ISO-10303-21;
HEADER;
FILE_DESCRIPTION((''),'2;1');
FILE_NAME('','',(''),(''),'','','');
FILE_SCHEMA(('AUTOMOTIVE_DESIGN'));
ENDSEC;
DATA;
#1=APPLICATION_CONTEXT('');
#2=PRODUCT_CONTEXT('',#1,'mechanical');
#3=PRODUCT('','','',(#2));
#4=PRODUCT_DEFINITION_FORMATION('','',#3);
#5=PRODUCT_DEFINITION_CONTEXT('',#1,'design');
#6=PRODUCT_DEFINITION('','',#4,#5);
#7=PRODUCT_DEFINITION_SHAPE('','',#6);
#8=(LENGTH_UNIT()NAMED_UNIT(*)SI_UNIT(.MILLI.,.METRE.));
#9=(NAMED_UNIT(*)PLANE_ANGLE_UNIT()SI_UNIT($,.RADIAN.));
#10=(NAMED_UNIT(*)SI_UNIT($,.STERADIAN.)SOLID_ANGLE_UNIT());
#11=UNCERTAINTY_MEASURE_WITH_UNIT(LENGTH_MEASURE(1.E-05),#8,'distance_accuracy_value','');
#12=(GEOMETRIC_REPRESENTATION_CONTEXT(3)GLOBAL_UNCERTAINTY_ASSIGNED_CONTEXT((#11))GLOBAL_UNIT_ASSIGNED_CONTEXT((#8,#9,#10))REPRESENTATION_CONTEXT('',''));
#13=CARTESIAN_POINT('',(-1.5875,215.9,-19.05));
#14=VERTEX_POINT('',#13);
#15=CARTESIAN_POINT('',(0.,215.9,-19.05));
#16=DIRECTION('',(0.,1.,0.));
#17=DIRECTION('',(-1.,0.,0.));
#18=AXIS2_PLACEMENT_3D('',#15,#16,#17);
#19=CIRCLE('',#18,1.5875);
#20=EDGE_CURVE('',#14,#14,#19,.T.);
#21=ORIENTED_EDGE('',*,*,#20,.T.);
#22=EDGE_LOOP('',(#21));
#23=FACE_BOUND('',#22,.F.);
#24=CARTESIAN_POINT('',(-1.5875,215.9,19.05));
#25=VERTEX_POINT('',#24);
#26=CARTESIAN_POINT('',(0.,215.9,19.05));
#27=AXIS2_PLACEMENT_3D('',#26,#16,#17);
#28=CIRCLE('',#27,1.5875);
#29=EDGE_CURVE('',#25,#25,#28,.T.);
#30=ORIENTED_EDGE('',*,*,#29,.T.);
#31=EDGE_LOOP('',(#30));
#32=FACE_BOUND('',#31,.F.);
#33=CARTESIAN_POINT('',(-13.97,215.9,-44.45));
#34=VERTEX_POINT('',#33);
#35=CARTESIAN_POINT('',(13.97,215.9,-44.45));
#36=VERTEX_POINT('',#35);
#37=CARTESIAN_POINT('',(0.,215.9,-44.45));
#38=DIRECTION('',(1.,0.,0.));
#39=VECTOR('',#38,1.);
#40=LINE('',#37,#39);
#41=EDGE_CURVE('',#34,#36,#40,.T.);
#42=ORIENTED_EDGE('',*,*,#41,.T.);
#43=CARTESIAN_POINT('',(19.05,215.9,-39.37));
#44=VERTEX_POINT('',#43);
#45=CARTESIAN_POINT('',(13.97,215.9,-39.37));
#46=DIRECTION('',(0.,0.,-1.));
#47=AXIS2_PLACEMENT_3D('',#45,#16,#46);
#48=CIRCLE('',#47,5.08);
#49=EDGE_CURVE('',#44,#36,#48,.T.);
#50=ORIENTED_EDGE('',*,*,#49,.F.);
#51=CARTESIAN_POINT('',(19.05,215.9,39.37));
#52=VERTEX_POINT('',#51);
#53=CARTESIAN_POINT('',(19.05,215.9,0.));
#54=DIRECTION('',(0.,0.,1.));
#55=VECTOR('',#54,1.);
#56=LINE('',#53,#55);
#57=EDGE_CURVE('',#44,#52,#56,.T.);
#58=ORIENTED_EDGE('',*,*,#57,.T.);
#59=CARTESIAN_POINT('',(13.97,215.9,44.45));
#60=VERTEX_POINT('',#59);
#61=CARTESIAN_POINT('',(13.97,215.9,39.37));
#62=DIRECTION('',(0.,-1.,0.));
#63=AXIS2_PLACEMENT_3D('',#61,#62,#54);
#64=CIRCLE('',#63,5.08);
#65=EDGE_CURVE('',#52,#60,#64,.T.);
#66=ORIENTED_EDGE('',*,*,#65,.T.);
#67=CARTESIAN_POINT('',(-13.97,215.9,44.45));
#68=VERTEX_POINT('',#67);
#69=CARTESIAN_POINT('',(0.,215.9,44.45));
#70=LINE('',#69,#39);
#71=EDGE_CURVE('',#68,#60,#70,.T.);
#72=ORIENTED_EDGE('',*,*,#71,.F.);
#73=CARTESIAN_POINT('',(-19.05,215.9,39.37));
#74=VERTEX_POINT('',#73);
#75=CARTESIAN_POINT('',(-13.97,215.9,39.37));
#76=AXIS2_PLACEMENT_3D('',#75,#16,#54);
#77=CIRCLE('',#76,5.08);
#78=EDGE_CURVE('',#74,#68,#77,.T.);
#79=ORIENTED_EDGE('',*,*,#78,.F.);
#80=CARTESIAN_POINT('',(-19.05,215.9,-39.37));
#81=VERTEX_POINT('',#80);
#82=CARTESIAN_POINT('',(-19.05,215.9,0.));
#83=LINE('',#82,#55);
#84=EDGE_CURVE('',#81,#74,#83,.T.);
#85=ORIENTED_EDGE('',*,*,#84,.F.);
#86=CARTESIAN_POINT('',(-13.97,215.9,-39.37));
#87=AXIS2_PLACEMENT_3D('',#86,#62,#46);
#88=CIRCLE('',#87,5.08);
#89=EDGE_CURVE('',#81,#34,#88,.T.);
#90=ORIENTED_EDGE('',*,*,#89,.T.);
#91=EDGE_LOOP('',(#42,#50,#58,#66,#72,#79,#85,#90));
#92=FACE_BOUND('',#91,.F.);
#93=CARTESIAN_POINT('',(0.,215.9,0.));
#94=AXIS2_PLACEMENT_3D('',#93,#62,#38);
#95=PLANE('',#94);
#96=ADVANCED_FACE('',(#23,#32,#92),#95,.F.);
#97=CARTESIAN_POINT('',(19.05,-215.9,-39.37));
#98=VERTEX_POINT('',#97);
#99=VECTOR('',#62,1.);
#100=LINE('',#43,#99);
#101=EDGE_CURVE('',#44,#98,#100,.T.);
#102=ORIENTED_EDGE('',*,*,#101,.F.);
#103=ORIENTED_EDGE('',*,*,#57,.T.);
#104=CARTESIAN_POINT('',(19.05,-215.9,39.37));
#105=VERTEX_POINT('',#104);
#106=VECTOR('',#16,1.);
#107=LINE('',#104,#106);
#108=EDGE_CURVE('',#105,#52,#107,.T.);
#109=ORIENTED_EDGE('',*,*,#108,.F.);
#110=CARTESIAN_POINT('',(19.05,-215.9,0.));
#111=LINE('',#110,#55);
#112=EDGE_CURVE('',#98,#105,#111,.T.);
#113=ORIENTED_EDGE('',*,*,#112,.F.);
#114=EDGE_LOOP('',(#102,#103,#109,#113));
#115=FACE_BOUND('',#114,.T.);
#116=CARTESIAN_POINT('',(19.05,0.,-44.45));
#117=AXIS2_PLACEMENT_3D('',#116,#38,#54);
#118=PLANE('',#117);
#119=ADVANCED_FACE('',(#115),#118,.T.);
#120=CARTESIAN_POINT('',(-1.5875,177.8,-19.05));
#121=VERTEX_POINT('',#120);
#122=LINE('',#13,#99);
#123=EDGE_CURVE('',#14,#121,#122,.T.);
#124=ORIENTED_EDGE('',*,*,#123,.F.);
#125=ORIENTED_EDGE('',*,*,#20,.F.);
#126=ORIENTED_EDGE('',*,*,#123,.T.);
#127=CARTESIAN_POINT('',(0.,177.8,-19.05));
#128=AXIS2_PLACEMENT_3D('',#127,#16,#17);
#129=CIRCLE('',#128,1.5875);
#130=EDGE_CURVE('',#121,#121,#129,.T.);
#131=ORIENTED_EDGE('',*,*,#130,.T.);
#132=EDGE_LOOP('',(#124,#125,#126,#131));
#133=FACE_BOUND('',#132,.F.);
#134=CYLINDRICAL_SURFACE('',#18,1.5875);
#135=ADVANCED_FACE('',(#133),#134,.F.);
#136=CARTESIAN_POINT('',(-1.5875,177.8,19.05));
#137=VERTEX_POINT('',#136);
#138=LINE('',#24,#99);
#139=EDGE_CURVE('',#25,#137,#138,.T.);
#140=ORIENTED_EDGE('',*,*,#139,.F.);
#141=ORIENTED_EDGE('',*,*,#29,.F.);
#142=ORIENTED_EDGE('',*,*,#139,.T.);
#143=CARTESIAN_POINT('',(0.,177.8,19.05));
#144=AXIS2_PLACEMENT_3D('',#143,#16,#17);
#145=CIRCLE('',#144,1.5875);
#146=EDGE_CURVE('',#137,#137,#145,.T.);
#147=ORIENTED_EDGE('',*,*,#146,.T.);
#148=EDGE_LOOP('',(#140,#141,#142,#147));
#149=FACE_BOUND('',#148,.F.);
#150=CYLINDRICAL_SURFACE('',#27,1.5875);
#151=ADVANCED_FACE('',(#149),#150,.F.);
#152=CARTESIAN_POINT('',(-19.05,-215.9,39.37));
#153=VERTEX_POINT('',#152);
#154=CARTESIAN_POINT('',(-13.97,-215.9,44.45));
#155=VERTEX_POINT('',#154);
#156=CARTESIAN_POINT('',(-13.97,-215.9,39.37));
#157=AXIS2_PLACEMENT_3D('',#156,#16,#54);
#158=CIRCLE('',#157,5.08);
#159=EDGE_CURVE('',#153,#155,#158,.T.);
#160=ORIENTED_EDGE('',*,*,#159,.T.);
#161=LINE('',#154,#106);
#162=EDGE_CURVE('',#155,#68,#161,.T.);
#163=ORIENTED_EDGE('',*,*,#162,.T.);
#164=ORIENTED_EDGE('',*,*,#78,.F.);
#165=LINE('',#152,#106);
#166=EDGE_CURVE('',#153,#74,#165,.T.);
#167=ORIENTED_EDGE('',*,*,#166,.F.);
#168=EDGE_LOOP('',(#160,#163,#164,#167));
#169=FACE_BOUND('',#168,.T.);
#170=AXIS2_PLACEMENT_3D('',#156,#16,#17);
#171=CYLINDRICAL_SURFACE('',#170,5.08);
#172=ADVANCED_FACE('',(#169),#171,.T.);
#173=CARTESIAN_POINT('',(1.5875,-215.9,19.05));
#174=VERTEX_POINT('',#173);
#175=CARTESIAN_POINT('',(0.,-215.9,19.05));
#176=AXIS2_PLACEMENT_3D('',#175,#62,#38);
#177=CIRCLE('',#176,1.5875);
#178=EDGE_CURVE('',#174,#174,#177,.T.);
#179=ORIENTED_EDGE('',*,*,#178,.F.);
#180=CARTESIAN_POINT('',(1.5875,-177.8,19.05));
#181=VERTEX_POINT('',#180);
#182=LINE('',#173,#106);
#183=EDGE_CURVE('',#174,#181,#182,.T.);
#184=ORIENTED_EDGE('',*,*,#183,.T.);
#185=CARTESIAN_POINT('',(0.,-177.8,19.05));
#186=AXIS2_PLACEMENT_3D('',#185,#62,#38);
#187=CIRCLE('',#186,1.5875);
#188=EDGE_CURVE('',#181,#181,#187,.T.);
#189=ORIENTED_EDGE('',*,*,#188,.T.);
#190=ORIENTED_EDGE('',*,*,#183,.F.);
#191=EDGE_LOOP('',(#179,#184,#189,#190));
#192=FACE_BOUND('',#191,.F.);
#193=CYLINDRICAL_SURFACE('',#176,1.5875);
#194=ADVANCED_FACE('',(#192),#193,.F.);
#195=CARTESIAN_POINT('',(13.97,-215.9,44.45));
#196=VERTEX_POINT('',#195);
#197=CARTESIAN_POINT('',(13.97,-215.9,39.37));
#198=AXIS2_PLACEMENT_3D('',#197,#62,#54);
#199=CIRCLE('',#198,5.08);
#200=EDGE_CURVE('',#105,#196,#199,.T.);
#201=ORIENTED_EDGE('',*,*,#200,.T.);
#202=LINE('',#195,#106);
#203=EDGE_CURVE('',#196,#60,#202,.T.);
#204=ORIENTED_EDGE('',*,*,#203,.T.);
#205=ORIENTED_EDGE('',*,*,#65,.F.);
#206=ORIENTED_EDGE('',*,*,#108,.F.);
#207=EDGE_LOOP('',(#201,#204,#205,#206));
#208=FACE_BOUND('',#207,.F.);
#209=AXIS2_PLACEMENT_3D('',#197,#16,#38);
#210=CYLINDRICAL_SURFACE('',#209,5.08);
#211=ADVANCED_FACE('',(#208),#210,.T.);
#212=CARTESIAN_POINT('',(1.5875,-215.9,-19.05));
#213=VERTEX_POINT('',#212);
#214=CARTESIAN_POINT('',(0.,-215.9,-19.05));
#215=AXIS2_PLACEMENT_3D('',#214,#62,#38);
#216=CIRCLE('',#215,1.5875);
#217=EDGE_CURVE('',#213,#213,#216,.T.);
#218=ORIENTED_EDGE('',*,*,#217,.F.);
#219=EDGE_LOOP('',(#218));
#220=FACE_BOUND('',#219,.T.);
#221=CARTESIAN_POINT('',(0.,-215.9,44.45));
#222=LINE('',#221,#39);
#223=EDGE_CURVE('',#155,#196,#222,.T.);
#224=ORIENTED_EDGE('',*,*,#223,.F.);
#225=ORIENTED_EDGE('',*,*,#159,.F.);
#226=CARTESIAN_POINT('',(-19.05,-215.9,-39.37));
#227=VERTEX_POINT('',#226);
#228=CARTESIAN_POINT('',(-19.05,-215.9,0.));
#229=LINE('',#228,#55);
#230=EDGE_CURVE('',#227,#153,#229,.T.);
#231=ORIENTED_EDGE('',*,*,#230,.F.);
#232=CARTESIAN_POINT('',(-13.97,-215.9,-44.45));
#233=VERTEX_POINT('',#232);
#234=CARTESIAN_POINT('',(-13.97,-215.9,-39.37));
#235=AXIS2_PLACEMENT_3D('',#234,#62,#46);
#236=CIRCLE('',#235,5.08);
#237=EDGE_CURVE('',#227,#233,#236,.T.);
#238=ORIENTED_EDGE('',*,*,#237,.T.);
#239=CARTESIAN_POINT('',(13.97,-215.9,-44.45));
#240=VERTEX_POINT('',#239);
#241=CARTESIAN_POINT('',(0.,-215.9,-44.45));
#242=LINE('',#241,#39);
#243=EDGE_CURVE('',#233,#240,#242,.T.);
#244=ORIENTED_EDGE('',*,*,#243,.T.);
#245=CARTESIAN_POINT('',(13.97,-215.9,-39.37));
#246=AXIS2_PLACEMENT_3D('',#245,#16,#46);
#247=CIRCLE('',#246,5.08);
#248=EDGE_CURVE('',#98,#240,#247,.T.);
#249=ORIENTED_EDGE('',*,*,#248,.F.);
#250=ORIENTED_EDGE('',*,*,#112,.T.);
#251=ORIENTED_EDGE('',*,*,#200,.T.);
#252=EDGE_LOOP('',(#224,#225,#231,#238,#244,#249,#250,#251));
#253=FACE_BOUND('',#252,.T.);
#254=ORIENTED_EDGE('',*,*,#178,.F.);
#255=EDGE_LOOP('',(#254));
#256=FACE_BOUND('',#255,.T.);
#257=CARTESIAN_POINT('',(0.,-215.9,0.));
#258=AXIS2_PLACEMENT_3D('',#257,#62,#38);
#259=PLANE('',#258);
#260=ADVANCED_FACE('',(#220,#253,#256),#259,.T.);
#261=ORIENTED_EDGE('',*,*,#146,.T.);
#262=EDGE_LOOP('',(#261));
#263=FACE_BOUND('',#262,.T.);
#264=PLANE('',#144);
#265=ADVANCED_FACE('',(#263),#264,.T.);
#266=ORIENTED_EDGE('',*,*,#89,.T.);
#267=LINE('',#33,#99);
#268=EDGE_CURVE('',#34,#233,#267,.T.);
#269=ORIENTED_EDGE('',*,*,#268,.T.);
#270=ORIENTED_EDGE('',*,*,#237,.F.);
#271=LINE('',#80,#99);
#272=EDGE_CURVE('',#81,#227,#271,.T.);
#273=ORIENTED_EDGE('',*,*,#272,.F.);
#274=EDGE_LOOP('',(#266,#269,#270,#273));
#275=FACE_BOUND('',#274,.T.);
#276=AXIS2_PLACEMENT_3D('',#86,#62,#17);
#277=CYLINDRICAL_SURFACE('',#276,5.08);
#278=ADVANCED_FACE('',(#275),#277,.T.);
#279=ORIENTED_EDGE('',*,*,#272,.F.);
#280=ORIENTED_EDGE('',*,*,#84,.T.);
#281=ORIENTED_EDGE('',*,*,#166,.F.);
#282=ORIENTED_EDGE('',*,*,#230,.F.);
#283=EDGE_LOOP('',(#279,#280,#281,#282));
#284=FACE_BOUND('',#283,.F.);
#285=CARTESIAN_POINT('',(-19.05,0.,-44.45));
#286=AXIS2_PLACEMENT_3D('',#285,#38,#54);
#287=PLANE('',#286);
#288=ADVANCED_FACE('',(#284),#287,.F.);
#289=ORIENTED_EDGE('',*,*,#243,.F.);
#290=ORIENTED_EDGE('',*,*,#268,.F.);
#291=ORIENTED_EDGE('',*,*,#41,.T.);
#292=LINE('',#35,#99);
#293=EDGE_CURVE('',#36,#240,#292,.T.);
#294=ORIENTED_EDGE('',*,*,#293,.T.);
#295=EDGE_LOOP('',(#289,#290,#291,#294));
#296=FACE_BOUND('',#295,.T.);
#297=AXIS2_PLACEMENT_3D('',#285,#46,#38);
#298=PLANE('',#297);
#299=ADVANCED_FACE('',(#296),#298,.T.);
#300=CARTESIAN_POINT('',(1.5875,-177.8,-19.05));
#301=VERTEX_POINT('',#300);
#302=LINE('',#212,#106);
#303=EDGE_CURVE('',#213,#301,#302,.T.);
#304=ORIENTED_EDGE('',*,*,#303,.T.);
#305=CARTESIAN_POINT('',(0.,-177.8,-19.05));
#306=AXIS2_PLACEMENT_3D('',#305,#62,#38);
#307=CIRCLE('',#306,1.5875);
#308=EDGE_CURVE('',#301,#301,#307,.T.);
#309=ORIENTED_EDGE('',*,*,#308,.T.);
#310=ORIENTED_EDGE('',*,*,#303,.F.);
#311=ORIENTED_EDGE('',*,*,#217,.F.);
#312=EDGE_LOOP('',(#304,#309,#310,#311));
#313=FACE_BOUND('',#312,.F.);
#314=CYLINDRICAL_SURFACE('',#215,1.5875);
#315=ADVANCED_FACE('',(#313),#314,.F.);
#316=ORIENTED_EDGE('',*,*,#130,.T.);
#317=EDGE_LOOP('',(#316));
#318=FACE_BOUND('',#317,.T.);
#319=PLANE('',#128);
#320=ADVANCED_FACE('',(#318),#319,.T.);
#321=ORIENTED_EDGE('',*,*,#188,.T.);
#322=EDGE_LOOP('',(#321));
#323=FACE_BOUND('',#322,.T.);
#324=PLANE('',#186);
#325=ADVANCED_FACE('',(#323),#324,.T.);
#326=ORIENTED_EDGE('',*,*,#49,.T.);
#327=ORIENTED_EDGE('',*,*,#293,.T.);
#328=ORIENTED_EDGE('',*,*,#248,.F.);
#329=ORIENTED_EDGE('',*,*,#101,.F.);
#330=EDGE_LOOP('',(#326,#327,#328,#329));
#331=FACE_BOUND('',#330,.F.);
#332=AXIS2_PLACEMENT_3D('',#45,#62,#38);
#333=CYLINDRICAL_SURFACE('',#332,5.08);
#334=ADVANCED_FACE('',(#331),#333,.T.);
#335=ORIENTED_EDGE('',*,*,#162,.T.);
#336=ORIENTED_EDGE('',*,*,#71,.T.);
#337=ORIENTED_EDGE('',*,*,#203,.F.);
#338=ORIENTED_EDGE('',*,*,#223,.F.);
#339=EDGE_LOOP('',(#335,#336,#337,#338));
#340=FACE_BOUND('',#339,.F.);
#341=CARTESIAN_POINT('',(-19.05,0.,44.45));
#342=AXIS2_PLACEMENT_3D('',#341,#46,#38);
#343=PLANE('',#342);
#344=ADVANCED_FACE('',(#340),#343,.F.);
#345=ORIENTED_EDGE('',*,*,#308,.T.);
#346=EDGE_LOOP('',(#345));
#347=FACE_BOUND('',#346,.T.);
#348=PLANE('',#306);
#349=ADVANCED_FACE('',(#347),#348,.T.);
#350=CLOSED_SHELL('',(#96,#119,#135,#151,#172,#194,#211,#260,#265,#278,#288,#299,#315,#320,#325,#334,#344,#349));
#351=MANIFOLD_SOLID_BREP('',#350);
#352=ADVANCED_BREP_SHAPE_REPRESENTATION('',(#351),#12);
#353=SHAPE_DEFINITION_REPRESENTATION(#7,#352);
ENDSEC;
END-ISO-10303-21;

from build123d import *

# Parameters (mm, degrees)
F0_W      = 38.1
F0_H      = 88.9
F1_DEPTH  = 215.9
F2_R      = 5.08
F4_R      = 1.5875
F5_DEPTH  = 38.1
F6_R      = 1.5875
F7_DEPTH  = 38.1
F8_R      = 1.5875
F9_DEPTH  = 38.1
F10_R     = 1.5875
F11_DEPTH = 38.1


with BuildPart() as f1:
    # F0 (on Front) → F1 (new body, symmetric)
    with BuildSketch(Plane.XZ):
        Rectangle(F0_W, F0_H)
    extrude(amount=F1_DEPTH, both=True)

    # F2
    f2_edges = [f1.edges().sort_by_distance(p)[0] for p in [
        (19.05, 0, 44.45),
        (-19.05, 0, 44.45),
        (19.05, 0, -44.45),
        (-19.05, 0, -44.45),
    ]]
    fillet(f2_edges, radius=F2_R)

    # F4 (on face) → F5 (cut)
    with BuildSketch(Plane.XZ.offset(215.9)):
        with Locations((0, 19.05)):
            Circle(F4_R)
    extrude(amount=-F5_DEPTH, mode=Mode.SUBTRACT)

    # F6 (on face) → F7 (cut)
    with BuildSketch(Plane.XZ.offset(215.9)):
        with Locations((0, -19.05)):
            Circle(F6_R)
    extrude(amount=-F7_DEPTH, mode=Mode.SUBTRACT)

    # F8 (on face) → F9 (cut)
    with BuildSketch(Plane(origin=(0, 215.9, 0), x_dir=(-1, 0, 0), z_dir=(0, 1, 0))):
        with Locations((0, 19.05)):
            Circle(F8_R)
    extrude(amount=-F9_DEPTH, mode=Mode.SUBTRACT)

    # F10 (on face) → F11 (cut)
    with BuildSketch(Plane(origin=(0, 215.9, 0), x_dir=(-1, 0, 0), z_dir=(0, 1, 0))):
        with Locations((0, -19.05)):
            Circle(F10_R)
    extrude(amount=-F11_DEPTH, mode=Mode.SUBTRACT)


solid = f1.part
